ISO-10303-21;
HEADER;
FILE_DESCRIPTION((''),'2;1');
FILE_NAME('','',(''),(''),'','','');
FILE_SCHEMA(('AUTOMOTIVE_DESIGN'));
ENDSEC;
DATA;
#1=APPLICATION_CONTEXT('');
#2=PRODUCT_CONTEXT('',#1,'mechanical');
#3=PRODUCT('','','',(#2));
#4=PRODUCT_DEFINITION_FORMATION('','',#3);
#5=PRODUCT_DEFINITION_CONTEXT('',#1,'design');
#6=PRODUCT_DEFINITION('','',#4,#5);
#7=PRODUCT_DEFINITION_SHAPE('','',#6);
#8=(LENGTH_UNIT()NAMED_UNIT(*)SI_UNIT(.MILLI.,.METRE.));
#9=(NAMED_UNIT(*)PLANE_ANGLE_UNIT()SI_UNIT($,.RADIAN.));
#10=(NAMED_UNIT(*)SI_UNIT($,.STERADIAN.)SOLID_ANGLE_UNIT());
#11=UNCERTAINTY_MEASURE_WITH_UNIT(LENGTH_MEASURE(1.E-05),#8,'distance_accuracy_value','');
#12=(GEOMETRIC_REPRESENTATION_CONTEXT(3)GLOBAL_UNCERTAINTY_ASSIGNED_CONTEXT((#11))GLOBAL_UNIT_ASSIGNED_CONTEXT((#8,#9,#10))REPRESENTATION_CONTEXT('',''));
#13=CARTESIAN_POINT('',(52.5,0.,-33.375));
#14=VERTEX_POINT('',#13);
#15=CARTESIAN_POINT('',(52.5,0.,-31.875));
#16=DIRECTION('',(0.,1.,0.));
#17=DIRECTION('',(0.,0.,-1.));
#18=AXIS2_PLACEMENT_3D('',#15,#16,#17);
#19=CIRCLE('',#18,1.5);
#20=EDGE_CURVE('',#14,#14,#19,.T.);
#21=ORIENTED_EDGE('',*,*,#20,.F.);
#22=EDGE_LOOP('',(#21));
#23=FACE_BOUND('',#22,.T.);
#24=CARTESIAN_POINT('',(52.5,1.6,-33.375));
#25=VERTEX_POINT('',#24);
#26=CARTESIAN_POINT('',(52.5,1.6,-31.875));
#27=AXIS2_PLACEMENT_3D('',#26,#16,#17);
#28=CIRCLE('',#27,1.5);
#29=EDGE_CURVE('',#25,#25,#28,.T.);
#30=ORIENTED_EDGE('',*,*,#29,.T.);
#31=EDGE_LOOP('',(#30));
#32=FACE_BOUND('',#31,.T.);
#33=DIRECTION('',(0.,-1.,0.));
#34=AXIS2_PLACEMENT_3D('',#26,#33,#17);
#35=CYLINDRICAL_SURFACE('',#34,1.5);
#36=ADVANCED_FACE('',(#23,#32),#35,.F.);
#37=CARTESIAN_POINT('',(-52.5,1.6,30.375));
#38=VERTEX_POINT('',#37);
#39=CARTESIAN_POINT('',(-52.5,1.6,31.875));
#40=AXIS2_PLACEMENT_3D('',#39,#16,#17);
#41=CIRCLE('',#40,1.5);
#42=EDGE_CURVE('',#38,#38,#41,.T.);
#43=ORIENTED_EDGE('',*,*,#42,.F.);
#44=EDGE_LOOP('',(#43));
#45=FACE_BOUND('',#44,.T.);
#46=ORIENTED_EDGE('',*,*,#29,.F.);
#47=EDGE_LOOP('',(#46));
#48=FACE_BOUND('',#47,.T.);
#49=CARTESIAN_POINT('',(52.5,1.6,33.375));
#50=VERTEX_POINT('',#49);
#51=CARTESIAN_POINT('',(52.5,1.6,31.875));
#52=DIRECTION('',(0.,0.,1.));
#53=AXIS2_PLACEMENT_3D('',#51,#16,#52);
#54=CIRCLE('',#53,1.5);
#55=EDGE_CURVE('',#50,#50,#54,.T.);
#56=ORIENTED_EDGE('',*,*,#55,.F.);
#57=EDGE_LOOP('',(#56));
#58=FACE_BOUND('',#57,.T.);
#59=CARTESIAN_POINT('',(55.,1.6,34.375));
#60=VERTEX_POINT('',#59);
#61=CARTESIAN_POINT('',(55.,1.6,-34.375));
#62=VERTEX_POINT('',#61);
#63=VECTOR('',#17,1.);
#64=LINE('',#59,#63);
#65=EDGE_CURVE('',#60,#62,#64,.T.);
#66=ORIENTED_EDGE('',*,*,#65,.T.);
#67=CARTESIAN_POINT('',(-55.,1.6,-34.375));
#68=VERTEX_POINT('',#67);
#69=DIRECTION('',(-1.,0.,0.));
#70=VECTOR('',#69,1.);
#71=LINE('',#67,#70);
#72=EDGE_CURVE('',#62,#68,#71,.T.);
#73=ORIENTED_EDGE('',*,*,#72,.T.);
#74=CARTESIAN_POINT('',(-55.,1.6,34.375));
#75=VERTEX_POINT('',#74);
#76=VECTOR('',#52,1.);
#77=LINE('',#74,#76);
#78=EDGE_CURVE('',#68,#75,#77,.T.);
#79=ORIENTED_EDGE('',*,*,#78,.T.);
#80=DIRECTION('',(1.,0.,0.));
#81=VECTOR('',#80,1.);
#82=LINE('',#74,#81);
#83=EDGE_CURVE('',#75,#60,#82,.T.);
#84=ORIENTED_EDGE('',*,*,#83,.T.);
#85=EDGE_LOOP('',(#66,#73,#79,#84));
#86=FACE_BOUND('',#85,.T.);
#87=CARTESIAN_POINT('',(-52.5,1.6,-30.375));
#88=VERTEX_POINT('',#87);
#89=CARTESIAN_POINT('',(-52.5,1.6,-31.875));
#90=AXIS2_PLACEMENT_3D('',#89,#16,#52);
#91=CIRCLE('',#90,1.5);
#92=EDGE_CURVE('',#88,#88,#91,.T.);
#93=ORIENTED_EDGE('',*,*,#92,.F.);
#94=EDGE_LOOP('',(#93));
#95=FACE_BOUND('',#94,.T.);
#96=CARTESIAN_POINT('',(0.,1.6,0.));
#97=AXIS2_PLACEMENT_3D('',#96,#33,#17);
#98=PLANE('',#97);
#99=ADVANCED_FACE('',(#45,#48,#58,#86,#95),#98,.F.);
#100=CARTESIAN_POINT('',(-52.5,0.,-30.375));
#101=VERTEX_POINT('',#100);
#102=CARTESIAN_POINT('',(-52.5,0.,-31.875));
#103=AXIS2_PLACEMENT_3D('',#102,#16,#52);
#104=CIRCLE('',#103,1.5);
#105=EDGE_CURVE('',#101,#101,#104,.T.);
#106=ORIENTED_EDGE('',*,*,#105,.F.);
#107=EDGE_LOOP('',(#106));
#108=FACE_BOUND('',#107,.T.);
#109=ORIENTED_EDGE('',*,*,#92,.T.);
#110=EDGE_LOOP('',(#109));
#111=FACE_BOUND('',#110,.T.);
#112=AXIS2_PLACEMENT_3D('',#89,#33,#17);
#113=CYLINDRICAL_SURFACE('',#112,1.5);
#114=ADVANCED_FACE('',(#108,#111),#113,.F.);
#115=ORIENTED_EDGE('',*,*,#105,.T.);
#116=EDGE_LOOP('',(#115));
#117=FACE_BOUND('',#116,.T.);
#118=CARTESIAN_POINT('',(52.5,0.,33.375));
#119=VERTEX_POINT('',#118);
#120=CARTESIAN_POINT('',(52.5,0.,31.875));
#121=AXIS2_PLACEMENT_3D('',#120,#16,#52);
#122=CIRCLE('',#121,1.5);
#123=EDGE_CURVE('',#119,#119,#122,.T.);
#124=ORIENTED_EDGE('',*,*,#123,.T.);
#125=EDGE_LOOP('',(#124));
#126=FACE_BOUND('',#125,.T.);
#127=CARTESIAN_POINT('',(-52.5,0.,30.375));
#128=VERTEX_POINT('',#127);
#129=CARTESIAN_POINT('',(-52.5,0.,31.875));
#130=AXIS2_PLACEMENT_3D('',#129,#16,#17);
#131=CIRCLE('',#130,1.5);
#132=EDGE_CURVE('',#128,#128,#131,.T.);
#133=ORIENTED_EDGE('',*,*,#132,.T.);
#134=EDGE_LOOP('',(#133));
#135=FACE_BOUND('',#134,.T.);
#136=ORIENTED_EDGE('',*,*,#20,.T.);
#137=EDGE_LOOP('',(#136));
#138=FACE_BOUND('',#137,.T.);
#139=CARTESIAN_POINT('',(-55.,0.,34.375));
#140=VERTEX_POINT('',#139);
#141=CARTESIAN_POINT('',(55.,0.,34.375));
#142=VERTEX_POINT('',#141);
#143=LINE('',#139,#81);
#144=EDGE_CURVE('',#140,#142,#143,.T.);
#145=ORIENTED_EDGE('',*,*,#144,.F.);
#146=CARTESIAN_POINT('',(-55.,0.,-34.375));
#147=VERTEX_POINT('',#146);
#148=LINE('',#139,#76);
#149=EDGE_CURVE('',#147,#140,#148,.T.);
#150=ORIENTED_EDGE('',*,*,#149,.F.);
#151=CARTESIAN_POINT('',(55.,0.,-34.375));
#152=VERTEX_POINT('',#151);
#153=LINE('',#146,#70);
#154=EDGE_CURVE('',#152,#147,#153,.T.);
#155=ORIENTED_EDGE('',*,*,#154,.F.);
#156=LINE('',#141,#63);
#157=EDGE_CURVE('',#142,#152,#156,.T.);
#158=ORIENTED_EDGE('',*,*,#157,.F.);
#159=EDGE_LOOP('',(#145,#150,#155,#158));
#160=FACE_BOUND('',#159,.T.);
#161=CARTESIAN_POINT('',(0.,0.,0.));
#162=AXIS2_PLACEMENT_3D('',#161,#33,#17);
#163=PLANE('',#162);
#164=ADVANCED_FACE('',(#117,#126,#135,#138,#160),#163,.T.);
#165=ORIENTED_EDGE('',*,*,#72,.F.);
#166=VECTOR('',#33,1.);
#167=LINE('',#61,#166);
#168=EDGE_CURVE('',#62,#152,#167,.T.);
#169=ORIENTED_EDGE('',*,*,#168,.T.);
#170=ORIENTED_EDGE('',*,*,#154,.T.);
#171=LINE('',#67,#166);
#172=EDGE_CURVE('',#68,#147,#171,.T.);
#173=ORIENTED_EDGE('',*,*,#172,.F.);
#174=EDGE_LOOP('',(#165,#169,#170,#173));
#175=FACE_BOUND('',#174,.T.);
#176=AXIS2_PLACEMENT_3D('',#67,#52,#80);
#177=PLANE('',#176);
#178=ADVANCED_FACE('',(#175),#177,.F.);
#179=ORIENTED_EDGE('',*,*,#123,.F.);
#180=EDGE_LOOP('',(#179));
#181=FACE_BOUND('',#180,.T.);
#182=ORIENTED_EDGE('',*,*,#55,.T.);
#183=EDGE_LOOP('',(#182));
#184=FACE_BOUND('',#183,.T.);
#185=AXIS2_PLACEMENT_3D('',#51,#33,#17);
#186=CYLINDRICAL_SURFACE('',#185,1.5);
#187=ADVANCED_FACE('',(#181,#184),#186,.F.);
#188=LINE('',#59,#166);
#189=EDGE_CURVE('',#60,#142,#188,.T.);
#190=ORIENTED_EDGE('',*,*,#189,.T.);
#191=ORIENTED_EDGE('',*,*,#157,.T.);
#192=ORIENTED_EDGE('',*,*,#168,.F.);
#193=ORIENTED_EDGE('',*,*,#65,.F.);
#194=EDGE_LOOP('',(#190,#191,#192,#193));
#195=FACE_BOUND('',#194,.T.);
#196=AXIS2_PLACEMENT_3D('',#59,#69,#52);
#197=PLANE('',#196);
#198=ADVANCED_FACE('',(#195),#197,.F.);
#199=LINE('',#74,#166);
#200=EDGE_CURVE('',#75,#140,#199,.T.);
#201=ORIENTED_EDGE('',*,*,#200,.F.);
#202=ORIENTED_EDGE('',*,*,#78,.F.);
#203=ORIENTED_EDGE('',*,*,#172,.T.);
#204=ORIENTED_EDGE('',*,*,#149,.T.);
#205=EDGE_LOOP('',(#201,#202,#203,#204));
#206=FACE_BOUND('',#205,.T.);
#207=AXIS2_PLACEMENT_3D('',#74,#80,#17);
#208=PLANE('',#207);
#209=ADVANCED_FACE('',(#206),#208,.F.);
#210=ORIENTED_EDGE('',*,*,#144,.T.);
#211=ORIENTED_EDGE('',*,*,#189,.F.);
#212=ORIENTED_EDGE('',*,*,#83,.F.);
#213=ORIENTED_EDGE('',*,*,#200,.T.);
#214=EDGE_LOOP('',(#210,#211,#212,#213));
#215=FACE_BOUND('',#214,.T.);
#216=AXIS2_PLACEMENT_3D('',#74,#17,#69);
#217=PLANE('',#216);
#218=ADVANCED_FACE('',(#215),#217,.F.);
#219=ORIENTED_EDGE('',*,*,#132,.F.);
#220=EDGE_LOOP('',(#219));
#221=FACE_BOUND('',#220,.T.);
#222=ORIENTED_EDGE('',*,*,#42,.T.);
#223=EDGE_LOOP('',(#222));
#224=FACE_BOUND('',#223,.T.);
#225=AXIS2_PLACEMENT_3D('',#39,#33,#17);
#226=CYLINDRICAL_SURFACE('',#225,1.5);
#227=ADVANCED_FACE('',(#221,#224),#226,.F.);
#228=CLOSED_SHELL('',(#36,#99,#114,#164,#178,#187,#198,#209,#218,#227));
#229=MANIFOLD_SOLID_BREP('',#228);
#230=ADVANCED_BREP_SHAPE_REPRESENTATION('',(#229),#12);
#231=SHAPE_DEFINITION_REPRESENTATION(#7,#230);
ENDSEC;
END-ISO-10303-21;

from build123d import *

# Parameters (mm, degrees)
SKETCH1_W           = 110
SKETCH1_H           = 68.75
SKETCH1_R           = 1.5
BOSS_EXTRUDE1_DEPTH = 1.6


with BuildPart() as part:
    # Sketch1 → Boss-Extrude1 (new body)
    with BuildSketch(Plane(origin=(0, 0, 0), x_dir=(1, 0, 0), z_dir=(0, 1, 0))):
        Rectangle(SKETCH1_W, SKETCH1_H)
        with Locations(Location((-52.5, 31.875, 0), (0, 0, 270))):
            Circle(SKETCH1_R, mode=Mode.SUBTRACT)
        with Locations(Location((-52.5, -31.875, 0), (0, 0, 90))):
            Circle(SKETCH1_R, mode=Mode.SUBTRACT)
        with Locations(Location((52.5, -31.875, 0), (0, 0, 270))):
            Circle(SKETCH1_R, mode=Mode.SUBTRACT)
        with Locations(Location((52.5, 31.875, 0), (0, 0, 90))):
            Circle(SKETCH1_R, mode=Mode.SUBTRACT)
    extrude(amount=BOSS_EXTRUDE1_DEPTH)


solid = part.part
